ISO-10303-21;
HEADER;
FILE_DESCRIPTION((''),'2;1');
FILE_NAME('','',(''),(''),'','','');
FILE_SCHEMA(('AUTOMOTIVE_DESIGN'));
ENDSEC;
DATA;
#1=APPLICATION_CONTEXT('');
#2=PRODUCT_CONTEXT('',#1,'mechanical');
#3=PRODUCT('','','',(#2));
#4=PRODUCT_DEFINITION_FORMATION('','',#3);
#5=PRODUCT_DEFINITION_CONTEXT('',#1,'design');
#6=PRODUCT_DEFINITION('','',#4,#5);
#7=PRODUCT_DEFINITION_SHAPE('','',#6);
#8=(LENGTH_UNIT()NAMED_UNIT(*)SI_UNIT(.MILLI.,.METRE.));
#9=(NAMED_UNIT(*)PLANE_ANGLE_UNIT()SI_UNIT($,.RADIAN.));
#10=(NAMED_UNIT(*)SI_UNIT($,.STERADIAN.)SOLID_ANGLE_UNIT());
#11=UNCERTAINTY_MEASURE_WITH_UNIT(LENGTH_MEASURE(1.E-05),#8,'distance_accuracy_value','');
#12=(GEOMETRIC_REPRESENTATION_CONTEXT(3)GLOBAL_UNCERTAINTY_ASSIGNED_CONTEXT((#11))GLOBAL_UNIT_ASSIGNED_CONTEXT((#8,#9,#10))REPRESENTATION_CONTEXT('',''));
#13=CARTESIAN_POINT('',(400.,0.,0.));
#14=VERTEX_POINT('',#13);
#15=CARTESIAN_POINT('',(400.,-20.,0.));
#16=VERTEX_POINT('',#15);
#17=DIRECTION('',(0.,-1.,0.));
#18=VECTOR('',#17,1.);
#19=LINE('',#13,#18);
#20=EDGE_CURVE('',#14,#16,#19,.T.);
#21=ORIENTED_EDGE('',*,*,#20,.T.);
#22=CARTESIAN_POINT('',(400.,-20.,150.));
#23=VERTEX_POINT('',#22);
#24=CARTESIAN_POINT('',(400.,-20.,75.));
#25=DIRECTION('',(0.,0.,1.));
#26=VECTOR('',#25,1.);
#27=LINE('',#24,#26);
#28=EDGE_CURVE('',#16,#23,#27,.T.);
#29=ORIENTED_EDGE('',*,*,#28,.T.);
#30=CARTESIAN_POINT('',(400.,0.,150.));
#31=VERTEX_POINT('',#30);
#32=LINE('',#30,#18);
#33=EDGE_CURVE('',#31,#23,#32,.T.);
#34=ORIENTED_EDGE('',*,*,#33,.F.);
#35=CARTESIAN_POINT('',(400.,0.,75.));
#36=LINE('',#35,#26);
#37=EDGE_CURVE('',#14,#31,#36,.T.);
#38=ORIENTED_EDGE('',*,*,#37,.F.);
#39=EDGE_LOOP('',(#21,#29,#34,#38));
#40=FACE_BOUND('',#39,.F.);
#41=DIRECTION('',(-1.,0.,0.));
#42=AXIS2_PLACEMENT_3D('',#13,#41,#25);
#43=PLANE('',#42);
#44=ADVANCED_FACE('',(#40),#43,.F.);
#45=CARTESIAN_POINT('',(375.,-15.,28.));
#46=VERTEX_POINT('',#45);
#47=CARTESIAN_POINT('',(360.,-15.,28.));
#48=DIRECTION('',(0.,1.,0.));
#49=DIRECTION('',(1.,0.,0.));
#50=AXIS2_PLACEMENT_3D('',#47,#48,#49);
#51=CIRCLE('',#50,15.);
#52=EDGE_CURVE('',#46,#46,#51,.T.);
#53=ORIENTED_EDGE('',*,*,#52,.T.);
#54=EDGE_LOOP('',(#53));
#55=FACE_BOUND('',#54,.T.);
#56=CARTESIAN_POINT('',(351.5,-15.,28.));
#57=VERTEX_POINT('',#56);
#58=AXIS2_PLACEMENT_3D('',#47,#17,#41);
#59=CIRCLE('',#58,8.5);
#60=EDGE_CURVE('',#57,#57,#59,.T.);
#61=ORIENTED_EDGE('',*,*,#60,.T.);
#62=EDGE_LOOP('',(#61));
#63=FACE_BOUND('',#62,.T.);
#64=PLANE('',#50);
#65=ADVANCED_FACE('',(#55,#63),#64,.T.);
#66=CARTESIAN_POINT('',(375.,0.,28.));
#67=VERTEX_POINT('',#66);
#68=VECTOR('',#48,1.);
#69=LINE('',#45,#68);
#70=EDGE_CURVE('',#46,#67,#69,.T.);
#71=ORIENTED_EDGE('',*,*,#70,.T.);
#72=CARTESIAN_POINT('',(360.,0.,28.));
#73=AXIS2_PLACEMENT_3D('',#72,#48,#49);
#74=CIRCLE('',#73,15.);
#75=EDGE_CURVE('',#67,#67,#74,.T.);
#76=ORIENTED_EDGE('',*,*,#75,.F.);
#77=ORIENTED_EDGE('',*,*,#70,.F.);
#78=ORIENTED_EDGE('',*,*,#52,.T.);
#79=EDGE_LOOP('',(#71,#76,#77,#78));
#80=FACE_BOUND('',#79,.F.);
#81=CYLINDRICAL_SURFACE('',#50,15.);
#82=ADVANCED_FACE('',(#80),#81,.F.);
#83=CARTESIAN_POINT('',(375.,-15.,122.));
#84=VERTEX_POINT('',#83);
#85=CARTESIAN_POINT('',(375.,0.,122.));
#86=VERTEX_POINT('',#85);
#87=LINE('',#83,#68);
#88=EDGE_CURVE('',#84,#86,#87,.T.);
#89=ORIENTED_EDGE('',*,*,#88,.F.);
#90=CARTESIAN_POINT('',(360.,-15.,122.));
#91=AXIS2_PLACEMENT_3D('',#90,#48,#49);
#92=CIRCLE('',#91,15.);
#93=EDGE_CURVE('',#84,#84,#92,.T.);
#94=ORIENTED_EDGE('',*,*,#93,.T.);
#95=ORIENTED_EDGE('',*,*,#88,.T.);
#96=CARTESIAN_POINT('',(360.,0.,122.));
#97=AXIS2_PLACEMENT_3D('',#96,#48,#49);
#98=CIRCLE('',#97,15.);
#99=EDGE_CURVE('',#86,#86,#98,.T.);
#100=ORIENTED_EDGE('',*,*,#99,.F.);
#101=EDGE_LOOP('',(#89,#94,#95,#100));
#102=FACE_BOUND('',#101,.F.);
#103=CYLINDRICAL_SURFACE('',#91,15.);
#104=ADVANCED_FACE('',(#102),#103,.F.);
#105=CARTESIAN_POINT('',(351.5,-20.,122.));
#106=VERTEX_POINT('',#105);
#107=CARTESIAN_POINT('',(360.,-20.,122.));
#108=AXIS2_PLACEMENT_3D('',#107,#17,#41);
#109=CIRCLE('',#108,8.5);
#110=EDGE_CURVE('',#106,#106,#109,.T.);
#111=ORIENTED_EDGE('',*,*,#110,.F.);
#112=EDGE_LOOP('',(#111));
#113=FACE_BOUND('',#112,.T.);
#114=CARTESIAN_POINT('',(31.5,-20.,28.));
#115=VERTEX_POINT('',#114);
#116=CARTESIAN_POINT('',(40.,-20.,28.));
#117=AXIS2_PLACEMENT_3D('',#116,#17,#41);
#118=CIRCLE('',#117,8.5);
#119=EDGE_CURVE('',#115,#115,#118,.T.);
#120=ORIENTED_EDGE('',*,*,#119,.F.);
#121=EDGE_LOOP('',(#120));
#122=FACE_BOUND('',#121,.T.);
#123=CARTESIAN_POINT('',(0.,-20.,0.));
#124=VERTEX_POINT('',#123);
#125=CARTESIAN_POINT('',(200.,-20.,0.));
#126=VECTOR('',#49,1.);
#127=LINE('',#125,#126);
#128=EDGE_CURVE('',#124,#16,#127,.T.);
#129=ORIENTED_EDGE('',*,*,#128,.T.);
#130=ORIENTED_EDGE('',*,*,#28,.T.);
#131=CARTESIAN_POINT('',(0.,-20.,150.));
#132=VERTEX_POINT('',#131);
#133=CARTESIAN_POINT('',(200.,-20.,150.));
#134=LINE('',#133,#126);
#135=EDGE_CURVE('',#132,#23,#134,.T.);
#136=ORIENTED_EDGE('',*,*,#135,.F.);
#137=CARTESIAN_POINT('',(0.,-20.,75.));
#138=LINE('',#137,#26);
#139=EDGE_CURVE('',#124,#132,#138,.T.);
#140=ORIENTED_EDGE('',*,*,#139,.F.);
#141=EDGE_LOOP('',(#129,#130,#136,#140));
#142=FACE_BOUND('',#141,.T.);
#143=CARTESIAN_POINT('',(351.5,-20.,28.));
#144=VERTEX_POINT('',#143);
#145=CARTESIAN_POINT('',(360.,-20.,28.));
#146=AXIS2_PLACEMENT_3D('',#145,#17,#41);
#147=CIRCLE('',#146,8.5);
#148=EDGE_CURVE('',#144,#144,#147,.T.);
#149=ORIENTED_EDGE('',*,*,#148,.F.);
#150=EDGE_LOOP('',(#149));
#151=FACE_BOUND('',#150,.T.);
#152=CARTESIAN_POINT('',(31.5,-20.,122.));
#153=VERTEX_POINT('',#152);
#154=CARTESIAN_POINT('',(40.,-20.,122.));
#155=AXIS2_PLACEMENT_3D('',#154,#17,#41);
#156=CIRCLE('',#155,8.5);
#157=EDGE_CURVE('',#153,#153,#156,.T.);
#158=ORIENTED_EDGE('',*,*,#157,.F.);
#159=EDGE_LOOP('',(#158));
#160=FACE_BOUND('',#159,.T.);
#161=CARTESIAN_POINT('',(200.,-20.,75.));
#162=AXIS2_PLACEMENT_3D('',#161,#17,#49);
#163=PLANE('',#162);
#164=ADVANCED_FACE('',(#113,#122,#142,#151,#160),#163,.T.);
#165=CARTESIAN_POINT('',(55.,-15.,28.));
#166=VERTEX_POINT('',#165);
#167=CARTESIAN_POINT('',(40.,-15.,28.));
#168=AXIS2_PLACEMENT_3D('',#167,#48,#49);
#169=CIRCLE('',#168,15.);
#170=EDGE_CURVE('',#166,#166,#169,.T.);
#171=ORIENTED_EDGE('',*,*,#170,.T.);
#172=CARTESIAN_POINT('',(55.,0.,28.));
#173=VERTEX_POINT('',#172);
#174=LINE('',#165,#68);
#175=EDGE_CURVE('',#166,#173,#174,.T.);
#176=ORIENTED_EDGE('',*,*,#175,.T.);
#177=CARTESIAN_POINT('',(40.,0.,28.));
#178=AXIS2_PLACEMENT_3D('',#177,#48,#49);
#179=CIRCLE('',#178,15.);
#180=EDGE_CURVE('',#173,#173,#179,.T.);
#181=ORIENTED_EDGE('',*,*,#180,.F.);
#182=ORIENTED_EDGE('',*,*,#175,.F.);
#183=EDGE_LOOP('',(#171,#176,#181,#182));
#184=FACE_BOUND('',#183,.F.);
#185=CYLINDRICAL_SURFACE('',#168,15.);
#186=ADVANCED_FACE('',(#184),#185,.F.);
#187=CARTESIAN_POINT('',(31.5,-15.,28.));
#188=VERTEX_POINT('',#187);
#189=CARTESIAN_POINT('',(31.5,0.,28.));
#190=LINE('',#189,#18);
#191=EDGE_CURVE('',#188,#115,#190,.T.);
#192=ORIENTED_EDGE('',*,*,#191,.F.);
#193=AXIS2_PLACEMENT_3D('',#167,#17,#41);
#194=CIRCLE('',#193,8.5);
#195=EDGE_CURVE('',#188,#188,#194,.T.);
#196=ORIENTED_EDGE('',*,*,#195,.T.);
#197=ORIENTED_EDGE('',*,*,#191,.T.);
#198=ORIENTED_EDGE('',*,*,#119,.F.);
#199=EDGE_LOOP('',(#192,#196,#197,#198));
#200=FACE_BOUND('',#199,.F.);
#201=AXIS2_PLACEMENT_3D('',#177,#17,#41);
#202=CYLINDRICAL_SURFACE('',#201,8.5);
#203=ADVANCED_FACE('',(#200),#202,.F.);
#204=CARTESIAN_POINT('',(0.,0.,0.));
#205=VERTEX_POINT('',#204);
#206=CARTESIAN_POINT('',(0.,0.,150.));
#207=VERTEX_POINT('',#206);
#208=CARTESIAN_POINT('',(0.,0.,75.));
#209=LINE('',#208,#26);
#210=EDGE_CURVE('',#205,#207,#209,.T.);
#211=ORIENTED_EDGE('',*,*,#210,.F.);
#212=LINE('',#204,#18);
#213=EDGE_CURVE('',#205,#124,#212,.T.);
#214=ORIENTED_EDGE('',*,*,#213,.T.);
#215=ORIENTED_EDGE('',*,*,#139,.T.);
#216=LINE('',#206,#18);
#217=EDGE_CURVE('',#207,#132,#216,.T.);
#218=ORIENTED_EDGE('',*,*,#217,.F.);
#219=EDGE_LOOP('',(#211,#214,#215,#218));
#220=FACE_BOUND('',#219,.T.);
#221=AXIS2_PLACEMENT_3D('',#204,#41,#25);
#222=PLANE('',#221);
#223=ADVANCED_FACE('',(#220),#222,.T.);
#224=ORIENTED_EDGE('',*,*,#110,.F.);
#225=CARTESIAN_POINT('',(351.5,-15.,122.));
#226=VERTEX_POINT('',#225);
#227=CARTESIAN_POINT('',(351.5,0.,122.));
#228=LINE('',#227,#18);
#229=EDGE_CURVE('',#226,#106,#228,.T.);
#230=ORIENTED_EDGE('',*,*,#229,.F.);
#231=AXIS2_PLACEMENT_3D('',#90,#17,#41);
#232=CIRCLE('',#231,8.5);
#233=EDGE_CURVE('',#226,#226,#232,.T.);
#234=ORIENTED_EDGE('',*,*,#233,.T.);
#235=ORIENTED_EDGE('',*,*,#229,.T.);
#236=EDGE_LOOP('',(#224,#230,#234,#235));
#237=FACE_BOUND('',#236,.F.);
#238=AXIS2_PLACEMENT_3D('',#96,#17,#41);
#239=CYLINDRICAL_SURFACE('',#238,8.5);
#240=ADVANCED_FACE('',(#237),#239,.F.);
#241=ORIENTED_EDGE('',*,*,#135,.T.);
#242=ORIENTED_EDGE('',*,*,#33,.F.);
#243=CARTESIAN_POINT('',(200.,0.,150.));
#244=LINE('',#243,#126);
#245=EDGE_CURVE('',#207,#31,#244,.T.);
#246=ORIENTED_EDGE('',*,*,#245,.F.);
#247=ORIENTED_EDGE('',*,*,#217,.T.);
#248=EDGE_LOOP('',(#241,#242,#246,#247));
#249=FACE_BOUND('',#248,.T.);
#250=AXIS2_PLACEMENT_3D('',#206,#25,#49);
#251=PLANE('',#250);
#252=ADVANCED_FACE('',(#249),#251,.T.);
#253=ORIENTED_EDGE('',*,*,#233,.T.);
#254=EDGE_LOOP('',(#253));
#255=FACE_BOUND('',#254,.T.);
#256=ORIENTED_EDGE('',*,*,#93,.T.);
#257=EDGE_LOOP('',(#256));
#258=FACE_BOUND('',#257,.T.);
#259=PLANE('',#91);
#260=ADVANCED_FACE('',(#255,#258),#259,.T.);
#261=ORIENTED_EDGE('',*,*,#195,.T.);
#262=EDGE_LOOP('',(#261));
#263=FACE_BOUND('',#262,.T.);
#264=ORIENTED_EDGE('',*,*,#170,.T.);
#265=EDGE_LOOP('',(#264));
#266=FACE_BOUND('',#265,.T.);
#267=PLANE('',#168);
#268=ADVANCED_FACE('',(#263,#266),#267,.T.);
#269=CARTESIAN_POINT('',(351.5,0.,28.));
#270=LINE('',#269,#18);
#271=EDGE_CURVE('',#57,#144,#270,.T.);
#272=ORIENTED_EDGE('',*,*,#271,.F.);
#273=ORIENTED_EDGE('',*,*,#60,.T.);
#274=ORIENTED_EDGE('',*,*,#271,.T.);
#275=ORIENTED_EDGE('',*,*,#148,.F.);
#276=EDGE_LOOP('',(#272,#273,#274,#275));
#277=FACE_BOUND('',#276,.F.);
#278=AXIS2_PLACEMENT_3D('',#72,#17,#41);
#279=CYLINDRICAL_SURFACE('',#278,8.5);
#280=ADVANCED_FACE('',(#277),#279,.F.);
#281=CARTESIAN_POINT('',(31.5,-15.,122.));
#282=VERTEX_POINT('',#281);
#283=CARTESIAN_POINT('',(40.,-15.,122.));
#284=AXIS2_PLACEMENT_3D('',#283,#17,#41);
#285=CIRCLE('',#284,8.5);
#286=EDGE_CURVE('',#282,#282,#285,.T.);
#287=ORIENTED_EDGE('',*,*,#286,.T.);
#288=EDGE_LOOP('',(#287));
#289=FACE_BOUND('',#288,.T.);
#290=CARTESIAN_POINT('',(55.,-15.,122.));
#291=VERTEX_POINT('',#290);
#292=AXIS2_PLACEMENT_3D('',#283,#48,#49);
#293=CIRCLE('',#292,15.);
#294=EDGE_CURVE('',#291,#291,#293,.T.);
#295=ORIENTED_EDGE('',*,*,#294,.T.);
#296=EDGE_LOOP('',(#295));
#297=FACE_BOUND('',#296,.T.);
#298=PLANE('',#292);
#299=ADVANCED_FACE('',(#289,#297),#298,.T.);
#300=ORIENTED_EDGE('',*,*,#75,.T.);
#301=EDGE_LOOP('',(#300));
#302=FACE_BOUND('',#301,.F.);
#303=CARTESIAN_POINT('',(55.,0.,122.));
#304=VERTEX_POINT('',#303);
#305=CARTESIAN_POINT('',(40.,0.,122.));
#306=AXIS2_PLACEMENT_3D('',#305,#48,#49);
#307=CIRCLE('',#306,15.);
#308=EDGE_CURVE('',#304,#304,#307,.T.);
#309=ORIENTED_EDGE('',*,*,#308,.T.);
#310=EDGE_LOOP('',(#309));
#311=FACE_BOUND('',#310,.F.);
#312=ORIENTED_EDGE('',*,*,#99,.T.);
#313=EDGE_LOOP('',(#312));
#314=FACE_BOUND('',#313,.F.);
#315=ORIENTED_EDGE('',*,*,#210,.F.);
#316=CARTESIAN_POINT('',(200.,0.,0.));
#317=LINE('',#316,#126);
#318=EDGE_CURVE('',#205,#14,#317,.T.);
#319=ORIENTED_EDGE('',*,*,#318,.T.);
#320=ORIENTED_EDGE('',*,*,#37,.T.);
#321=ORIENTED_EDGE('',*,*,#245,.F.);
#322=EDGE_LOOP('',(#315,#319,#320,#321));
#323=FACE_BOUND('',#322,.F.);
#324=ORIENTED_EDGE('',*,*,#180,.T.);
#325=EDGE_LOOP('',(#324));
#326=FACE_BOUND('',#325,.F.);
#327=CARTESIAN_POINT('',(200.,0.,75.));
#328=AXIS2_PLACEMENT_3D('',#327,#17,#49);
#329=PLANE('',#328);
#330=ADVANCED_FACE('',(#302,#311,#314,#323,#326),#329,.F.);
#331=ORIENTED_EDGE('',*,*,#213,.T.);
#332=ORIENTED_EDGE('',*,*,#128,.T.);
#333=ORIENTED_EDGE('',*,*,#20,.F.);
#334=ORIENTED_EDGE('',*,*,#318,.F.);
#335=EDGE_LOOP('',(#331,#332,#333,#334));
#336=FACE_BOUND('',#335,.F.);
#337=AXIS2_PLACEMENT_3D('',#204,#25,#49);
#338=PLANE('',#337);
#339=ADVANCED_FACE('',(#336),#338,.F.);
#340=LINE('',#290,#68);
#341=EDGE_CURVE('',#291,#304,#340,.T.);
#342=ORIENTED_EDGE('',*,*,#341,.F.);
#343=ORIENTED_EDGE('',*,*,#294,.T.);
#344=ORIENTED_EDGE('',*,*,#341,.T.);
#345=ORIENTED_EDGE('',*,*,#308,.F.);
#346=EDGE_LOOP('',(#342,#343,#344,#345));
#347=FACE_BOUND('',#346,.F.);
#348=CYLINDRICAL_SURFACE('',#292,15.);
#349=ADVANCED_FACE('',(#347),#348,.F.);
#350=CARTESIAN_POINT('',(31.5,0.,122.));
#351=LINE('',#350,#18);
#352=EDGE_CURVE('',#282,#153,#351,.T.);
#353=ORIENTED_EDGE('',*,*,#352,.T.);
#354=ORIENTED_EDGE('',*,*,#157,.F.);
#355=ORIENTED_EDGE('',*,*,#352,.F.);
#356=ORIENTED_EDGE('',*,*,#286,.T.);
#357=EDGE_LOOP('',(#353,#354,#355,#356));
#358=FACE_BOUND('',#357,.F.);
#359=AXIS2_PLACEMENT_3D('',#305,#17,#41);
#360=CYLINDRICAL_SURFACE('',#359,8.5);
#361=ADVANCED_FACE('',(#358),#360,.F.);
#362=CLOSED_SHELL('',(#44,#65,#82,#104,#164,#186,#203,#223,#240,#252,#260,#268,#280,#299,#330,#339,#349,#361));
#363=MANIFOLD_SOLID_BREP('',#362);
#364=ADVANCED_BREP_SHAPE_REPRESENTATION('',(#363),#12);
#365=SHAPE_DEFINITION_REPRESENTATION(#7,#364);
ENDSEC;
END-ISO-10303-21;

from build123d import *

# Parameters (mm, degrees)
F0_W           = 400
F0_H           = 150
F1_DEPTH       = 20
F2_D           = 17
F2_DEPTH       = 35
F2_CBORE_D     = 30
F2_CBORE_DEPTH = 15
F2_TIP         = 5.1073152617


with BuildPart() as f1:
    # F0 (on Front) → F1 (new body)
    with BuildSketch(Plane.XZ):
        with Locations((200, 75)):
            Rectangle(F0_W, F0_H)
    extrude(amount=F1_DEPTH)

    # F2
    with Locations(Plane(origin=(0, 0, 0), x_dir=(1, 0, 0), z_dir=(0, 1, 0))):
        with Locations((360, -122), (360, -28), (40, -122), (40, -28)):
            CounterBoreHole(F2_D / 2, F2_CBORE_D / 2, F2_CBORE_DEPTH, depth=F2_DEPTH)
            with Locations((0, 0, -(F2_DEPTH + F2_TIP / 2))):  # 118° drill point
                Cone(0, F2_D / 2, F2_TIP, mode=Mode.SUBTRACT)


solid = f1.part
